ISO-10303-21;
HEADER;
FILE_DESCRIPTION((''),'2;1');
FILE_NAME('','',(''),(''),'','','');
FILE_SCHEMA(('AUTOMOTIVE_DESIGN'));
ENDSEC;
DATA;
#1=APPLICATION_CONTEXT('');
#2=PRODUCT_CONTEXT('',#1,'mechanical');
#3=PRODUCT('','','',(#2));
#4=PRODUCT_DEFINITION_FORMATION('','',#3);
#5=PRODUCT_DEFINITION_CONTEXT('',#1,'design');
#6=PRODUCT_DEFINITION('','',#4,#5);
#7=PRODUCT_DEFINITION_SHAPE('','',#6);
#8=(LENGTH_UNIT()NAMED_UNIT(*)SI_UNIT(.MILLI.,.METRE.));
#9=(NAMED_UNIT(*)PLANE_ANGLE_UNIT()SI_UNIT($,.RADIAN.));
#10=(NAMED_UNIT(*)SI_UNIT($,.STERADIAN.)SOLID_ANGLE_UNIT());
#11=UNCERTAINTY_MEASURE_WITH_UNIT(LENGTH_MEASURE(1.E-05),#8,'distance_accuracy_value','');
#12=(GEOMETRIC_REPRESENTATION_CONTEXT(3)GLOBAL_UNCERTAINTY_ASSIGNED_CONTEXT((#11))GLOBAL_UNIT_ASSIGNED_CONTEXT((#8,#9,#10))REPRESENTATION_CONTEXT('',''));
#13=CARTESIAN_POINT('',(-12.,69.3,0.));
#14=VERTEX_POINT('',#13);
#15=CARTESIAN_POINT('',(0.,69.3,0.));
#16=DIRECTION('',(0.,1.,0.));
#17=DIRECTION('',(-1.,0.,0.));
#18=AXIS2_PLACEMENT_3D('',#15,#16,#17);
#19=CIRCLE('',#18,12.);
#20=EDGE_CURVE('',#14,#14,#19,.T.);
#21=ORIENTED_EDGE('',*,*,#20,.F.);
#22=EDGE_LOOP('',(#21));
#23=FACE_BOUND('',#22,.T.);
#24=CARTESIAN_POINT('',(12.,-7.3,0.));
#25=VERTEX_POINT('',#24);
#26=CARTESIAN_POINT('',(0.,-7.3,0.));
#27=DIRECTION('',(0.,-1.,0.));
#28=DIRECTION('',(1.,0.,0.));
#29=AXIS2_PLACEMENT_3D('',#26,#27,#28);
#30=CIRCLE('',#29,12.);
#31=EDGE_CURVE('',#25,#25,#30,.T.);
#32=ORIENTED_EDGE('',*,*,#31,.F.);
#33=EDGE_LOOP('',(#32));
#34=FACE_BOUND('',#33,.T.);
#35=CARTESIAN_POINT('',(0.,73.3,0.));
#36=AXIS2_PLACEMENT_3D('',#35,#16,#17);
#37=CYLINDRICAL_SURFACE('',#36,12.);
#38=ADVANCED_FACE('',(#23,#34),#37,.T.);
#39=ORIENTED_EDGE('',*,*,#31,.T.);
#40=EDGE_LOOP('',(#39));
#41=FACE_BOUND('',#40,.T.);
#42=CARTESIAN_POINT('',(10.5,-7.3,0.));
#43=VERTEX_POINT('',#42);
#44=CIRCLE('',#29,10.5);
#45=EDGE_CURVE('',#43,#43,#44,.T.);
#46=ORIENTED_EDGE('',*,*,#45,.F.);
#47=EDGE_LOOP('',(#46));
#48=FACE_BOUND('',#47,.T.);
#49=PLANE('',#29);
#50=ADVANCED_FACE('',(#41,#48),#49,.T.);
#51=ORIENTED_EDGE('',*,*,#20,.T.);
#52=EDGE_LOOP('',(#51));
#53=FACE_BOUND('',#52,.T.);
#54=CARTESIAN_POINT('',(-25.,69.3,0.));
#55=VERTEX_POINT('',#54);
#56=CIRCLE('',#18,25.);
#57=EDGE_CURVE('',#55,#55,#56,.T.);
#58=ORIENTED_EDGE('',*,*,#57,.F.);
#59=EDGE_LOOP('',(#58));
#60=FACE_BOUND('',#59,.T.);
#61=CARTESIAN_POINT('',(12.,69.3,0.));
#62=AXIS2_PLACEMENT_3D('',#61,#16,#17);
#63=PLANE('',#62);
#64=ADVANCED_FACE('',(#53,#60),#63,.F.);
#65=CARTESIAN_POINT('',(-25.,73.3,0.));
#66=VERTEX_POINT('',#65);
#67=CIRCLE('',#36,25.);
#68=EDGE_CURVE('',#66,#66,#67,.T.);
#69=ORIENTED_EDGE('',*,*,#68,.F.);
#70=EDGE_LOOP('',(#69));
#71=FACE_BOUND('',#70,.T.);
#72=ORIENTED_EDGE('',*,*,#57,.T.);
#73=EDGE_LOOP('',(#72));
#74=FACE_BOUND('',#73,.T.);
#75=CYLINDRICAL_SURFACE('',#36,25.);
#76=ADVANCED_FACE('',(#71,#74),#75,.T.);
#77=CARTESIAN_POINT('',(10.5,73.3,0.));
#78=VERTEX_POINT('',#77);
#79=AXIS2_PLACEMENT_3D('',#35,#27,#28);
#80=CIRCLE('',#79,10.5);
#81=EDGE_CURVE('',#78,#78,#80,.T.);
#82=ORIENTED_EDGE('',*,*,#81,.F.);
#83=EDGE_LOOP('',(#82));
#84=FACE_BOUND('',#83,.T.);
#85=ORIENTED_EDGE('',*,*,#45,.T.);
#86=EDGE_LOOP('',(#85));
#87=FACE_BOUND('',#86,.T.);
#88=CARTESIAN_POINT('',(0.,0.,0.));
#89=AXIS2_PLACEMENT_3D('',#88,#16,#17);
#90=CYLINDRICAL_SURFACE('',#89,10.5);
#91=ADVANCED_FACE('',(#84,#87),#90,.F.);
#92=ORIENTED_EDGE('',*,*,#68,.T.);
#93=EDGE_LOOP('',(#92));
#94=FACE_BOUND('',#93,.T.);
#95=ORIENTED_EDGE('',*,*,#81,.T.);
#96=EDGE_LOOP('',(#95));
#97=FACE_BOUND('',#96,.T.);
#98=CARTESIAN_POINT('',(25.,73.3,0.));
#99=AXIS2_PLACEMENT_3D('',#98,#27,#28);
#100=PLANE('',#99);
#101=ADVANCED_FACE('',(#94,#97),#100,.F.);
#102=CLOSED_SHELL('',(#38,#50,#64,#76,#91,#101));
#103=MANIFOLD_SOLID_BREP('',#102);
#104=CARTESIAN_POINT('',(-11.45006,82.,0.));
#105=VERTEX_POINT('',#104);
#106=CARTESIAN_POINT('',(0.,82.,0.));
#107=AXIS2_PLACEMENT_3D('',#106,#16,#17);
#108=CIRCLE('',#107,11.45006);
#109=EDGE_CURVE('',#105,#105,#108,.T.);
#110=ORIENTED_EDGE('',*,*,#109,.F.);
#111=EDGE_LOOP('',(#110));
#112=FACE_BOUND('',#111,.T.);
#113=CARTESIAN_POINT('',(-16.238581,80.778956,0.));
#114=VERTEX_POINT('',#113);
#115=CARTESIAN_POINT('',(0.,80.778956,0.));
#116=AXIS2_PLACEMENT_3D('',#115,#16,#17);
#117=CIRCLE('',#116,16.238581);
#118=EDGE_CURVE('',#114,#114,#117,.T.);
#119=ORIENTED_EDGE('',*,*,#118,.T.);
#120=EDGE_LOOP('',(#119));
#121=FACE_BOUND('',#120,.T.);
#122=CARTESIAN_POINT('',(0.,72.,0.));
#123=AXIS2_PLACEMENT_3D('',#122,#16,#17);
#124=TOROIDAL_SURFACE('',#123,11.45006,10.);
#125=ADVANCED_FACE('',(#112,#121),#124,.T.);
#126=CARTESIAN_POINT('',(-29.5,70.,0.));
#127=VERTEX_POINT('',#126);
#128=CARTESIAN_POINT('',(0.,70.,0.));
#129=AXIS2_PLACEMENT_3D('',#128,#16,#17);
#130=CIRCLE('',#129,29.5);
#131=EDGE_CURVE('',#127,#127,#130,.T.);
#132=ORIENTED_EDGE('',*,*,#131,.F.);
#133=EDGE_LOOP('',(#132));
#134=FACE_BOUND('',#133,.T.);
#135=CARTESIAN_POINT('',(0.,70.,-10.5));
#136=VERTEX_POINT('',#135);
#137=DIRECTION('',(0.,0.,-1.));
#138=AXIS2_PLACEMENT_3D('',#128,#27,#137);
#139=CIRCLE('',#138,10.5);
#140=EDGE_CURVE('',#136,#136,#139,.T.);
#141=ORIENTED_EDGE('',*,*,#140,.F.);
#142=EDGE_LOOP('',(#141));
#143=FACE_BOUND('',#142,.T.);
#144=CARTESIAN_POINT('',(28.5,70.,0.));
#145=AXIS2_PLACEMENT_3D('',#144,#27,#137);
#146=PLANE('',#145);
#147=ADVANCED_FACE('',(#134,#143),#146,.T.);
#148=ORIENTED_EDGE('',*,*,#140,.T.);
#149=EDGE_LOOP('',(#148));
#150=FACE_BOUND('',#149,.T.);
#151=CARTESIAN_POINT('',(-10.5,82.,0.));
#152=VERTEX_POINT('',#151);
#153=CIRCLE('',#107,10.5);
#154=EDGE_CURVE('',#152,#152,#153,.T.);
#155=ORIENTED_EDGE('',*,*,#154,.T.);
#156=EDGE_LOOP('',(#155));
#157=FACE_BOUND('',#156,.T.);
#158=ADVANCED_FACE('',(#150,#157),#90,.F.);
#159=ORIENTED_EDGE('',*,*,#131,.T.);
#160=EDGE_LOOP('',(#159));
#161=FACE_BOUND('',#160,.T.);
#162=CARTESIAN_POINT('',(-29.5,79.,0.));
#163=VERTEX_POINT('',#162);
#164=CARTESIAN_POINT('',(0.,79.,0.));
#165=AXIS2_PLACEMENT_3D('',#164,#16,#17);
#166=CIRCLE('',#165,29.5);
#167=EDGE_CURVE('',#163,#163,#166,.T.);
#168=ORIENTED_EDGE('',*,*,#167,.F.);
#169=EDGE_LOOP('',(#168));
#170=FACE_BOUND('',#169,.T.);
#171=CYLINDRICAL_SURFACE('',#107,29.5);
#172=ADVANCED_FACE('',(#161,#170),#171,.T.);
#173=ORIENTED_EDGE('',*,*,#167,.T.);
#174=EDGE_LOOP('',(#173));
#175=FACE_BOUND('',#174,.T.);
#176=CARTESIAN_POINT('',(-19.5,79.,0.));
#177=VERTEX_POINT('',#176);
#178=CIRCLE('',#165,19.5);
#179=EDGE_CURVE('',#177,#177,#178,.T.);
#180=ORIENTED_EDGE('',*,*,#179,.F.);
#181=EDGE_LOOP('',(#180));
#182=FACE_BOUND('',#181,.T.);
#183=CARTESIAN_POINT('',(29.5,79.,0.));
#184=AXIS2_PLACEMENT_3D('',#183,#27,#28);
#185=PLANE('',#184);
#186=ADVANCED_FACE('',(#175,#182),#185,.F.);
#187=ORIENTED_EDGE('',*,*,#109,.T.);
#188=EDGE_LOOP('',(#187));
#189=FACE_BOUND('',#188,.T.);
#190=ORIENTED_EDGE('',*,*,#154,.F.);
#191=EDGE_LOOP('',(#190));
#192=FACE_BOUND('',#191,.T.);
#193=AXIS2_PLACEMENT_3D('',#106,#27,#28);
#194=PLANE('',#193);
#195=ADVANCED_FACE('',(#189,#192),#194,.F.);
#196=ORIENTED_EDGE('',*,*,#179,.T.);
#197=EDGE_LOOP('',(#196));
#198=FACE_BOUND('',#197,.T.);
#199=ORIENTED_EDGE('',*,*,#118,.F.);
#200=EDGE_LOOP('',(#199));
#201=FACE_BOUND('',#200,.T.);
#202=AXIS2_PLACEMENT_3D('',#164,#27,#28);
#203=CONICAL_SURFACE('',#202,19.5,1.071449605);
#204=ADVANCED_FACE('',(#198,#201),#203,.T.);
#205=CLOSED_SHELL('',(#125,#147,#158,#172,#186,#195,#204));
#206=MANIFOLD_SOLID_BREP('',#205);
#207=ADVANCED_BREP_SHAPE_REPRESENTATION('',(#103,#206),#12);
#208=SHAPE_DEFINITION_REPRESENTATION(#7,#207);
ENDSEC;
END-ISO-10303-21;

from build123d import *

# Parameters (mm, degrees)
CROQUIS3_W              = 28.5
CROQUIS3_H              = 7.3
REDONDEO1_R             = 2
CROQUIS7_R              = 10.5
CORTAR_EXTRUIR2_DEPTH   = 93.002717351
CROQUIS8_R              = 12
CROQUIS8_R_2            = 10.5
SALIENTE_EXTRUIR1_DEPTH = 7.3


with BuildPart() as part:
    # Croquis1 → Revolución1 (revolve)
    with BuildSketch(Plane.XY, mode=Mode.PRIVATE) as revoluci_n1_sk:
        Polygon((12, 0), (12, 69.3), (25, 69.3), (25, 73.3), (0, 73.3), (0, 0), align=None)
    revolve(revoluci_n1_sk.sketch.rotate(Axis((0, 73.3, 0), (0, -1, 0)), 180), axis=Axis((0, 73.3, 0), (0, -1, 0)))


with BuildPart() as body_2:
    # Croquis3 → Revolución2 (revolve)
    with BuildSketch(Plane.XY, mode=Mode.PRIVATE) as revoluci_n2_sk:
        with Locations((14.25, 73.65)):
            Rectangle(CROQUIS3_W, CROQUIS3_H)
    revolve(revoluci_n2_sk.sketch.rotate(Axis((0, 70, 0), (0, 1, 0)), 90), axis=Axis((0, 70, 0), (0, 1, 0)))

    # Redondeo1
    redondeo1_edges = [body_2.edges().sort_by_distance(p)[0] for p in [
        (0, 77.3, 28.5),
    ]]
    fillet(redondeo1_edges, radius=REDONDEO1_R)

    # Croquis6 → Revolución4 (revolve)
    with BuildSketch(Plane.XY, mode=Mode.PRIVATE) as revoluci_n4_sk:
        with BuildLine():
            Line((0, 70), (29.5, 70))
            Line((29.5, 70), (29.5, 79))
            Line((29.5, 79), (19.5, 79))
            Line((19.5, 79), (16.238581163, 80.778955729))
            ThreePointArc((16.238581163, 80.778955729), (13.92093447, 81.689931818), (11.450059856, 82))
            Line((11.450059856, 82), (0, 82))
            Line((0, 82), (0, 70))
        make_face()
    revolve(revoluci_n4_sk.sketch.rotate(Axis((0, 82, 0), (0, -1, 0)), 180), axis=Axis((0, 82, 0), (0, -1, 0)))


with BuildPart() as cortar_extruir2_tool:
    # Croquis7 → Cortar-Extruir2 (new, through all)
    with BuildSketch(Plane(origin=(0, 82, 0), x_dir=(1, 0, 0), z_dir=(0, 1, 0))):
        with Locations(Location((0, 0, 0), (0, 0, 180))):
            Circle(CROQUIS7_R)
    extrude(amount=-CORTAR_EXTRUIR2_DEPTH)


with BuildPart() as part_1:
    add(part.part)

    # Cortar-Extruir2: cut by cortar_extruir2_tool
    add(cortar_extruir2_tool.part, mode=Mode.SUBTRACT)

    # Croquis8 → Saliente-Extruir1 (add)
    with BuildSketch(Plane.XZ):
        with Locations(Location((0, 0, 0), (0, 0, 180))):
            Circle(CROQUIS8_R)
        with Locations(Location((0, 0, 0), (0, 0, 180))):
            Circle(CROQUIS8_R_2, mode=Mode.SUBTRACT)
    extrude(amount=SALIENTE_EXTRUIR1_DEPTH)


with BuildPart() as body_2_1:
    add(body_2.part)

    # Cortar-Extruir2: cut by cortar_extruir2_tool
    add(cortar_extruir2_tool.part, mode=Mode.SUBTRACT)


solid = Compound([part_1.part, body_2_1.part])
